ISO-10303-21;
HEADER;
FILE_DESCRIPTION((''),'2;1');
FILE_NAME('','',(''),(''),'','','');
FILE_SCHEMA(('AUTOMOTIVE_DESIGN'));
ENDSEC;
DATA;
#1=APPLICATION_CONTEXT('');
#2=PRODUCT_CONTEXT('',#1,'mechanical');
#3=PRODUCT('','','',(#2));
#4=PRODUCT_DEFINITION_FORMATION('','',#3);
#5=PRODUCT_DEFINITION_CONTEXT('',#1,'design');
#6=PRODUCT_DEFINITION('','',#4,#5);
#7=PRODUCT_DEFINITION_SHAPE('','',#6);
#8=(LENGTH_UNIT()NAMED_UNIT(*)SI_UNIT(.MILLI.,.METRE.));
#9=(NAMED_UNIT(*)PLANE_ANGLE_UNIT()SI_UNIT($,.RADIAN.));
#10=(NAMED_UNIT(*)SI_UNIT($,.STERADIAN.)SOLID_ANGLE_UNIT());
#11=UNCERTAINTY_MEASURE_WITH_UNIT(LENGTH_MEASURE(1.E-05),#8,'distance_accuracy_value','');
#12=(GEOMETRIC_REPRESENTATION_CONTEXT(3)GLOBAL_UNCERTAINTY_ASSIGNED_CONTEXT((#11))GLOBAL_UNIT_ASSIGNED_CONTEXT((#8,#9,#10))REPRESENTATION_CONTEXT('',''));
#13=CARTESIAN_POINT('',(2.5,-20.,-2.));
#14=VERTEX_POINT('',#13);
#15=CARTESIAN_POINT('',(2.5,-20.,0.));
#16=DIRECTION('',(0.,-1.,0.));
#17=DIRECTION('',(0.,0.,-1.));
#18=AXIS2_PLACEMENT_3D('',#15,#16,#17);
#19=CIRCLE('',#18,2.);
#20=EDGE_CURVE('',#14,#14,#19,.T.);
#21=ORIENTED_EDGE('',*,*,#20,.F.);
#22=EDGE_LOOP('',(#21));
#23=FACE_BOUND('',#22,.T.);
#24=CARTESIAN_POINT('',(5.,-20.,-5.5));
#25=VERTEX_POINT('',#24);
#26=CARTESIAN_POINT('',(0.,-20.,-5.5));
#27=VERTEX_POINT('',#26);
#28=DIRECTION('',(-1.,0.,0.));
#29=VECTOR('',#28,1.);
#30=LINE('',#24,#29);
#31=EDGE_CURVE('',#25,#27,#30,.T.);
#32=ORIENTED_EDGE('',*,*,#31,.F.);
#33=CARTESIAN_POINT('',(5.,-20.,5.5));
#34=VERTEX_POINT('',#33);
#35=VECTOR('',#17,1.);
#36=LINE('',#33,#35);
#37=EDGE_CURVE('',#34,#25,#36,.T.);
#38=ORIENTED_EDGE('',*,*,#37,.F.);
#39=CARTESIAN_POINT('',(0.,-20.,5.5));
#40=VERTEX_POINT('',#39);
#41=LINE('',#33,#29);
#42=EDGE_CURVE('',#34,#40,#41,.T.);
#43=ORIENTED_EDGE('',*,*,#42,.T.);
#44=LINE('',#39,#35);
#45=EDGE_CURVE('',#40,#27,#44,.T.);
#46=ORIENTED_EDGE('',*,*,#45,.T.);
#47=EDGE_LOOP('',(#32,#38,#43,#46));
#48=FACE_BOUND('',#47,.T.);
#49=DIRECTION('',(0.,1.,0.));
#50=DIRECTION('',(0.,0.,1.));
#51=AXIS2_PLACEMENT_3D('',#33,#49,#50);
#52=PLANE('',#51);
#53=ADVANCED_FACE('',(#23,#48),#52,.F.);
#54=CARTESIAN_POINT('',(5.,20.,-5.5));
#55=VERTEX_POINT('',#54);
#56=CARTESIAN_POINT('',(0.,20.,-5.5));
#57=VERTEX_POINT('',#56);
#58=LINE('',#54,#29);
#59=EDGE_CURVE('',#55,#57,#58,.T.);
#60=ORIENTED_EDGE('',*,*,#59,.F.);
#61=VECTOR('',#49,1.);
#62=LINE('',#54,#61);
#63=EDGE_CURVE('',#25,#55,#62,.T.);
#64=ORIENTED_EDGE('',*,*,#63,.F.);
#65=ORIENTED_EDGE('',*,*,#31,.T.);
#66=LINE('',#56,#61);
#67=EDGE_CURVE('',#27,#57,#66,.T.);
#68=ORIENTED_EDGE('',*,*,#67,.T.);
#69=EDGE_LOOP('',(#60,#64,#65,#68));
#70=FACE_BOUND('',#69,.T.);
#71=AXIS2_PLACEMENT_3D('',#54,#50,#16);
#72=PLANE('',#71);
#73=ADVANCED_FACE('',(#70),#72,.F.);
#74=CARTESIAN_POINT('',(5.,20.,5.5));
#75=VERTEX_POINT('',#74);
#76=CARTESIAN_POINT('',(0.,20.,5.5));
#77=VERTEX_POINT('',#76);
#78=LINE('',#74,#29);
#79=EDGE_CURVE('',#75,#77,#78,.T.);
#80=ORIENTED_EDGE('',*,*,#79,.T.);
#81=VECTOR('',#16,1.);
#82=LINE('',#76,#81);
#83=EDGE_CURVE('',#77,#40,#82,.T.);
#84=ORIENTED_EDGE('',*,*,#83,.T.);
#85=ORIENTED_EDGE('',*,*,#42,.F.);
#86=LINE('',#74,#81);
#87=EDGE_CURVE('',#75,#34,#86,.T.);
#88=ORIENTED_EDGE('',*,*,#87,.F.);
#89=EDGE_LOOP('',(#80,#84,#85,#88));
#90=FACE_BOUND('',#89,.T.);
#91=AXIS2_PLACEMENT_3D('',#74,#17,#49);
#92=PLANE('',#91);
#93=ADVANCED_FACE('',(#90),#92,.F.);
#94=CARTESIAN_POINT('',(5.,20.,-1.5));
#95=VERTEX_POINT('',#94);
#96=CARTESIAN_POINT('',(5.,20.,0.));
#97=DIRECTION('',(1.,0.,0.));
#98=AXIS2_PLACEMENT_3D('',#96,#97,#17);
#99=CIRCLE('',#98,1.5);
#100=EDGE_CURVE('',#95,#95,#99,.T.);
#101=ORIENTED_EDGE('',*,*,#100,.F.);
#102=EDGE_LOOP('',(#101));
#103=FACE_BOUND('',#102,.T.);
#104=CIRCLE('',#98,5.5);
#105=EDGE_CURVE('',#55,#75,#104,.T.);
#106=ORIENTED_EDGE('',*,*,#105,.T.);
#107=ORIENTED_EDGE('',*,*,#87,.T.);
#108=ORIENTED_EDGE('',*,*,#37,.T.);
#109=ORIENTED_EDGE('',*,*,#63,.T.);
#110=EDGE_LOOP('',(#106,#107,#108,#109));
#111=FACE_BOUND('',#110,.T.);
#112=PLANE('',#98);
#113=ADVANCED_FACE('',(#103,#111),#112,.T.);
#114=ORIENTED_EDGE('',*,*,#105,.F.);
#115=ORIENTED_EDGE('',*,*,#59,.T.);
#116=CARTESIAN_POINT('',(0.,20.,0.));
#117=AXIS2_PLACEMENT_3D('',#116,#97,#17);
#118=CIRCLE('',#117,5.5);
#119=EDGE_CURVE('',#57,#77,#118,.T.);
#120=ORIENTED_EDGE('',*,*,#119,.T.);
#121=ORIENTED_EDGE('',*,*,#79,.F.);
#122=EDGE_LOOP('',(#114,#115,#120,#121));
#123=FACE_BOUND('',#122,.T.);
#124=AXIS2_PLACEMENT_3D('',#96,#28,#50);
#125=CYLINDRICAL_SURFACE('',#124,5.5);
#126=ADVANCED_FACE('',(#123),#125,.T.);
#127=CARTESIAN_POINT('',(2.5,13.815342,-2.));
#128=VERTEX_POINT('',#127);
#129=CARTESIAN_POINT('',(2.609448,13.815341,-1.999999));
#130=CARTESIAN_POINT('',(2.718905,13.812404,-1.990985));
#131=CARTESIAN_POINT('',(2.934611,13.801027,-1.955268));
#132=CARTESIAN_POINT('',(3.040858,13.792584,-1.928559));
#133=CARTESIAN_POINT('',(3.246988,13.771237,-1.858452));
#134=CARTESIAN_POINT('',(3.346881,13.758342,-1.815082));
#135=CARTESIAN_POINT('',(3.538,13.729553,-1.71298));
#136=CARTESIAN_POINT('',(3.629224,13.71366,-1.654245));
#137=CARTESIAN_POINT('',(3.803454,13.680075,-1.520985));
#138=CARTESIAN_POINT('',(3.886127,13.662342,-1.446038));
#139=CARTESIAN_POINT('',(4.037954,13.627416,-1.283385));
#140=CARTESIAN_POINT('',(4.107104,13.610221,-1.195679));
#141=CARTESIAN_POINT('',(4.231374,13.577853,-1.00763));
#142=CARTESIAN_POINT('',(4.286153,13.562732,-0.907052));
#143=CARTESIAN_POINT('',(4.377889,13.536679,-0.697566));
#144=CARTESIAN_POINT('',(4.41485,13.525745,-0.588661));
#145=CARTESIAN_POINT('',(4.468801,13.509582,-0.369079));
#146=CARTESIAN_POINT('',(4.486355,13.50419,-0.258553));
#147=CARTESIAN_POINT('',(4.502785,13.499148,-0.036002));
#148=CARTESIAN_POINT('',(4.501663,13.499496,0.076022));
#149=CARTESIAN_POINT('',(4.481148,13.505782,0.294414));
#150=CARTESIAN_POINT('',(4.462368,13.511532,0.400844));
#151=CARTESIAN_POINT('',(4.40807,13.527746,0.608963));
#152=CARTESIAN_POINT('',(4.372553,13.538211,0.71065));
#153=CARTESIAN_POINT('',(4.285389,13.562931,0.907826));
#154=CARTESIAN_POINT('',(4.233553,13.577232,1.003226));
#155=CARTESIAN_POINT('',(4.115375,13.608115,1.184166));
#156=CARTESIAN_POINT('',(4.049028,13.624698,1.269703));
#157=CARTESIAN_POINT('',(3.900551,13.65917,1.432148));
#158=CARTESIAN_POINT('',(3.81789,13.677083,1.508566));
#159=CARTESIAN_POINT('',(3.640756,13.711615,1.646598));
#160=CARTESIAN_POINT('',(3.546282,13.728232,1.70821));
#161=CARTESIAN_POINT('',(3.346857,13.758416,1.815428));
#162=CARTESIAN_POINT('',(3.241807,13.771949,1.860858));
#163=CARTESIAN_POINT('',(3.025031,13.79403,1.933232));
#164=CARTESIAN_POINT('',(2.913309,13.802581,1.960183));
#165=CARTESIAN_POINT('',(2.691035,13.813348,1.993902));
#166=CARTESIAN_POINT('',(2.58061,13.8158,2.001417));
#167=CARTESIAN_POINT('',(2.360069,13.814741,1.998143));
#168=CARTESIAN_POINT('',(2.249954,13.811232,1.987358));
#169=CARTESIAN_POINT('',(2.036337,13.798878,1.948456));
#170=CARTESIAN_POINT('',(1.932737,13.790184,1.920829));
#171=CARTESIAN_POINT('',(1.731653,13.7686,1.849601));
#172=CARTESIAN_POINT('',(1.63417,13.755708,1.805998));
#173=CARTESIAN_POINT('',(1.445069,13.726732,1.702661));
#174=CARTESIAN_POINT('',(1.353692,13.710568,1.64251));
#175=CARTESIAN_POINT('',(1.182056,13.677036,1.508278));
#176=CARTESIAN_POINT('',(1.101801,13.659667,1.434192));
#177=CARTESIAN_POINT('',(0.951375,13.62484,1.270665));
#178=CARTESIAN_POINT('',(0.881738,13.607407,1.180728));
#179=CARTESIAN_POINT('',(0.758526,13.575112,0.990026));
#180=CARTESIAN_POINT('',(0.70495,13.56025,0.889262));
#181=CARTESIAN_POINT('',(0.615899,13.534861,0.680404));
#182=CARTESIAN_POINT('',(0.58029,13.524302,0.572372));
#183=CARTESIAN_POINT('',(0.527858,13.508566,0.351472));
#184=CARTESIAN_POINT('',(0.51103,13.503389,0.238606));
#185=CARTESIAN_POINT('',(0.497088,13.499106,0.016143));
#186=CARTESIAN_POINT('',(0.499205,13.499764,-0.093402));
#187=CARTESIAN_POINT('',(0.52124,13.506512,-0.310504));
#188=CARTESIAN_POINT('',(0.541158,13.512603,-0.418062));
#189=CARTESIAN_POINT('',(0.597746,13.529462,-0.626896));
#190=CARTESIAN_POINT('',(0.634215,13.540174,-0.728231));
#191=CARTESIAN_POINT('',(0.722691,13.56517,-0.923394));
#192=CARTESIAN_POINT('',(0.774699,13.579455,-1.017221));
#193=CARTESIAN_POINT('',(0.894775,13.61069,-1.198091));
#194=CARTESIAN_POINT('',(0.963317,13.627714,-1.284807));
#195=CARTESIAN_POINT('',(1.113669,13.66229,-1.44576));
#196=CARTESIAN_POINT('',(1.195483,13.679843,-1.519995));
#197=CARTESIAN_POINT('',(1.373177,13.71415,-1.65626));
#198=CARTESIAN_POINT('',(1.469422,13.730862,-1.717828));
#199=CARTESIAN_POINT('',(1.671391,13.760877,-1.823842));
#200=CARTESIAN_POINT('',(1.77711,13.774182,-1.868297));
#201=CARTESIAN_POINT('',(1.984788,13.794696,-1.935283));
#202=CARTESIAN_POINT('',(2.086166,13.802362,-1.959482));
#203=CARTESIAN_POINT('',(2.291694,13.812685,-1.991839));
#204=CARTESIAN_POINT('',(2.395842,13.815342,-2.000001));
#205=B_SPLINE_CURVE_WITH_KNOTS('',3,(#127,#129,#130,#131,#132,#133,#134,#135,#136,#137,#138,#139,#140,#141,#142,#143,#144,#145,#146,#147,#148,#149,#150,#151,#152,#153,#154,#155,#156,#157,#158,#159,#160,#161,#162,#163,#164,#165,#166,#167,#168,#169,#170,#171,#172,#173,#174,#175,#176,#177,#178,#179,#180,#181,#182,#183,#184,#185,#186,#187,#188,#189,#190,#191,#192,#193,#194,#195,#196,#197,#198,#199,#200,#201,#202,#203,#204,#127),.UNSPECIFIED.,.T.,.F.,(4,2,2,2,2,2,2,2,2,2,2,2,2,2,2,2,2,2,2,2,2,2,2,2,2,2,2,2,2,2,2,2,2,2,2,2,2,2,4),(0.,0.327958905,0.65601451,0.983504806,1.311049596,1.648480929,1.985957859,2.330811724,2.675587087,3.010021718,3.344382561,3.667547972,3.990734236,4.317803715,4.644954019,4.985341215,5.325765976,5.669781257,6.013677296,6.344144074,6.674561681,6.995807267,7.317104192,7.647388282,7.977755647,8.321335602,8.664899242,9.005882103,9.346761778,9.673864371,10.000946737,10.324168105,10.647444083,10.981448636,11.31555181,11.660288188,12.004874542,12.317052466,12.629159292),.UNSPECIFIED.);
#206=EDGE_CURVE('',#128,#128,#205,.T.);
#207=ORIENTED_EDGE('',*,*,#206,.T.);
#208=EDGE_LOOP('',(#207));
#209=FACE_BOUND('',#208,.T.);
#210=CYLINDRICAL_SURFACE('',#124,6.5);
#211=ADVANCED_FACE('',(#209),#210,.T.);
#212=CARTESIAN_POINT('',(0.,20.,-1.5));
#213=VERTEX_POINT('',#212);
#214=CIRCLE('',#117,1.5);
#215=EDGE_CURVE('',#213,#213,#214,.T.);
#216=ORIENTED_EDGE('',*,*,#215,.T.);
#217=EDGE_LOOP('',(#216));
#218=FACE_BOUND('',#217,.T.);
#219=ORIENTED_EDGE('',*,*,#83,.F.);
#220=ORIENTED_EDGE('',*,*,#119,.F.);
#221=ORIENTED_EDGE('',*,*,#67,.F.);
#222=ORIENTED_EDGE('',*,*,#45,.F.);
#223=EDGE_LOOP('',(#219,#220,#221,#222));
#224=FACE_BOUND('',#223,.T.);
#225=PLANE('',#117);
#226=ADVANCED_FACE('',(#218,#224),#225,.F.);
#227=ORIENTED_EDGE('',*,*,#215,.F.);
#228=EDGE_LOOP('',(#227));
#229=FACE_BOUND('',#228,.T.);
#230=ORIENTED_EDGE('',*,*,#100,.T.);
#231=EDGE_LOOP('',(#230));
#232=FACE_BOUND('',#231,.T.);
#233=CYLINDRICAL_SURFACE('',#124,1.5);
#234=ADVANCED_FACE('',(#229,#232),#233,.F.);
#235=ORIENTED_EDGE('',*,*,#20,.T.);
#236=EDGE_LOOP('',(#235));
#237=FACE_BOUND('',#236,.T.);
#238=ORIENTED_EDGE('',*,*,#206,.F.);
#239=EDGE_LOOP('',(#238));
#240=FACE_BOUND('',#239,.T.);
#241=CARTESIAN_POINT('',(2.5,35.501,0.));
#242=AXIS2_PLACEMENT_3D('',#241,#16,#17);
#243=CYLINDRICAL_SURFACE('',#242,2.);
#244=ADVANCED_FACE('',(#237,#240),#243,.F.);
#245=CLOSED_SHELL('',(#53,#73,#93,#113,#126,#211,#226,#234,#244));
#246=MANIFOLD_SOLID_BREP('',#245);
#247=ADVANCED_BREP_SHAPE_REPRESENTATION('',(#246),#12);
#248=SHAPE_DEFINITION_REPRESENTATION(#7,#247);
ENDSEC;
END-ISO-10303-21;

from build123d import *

# Parameters (mm, degrees)
SKETCH1_R               = 1.5
BOSS_EXTRUDE1_DEPTH     = 5
CUT_EXTRUDE1_REACH      = 48.103
CUT_EXTRUDE1_END_RADIUS = 6.5
SKETCH2_R               = 2


with BuildPart() as part:
    # Sketch1 → Boss-Extrude1 (new body)
    with BuildSketch(Plane(origin=(0, 0, 0), x_dir=(0, 0, -1), z_dir=(1, 0, 0))):
        with BuildLine():
            Line((-5.5, 20), (-5.5, -20))
            Line((-5.5, -20), (5.5, -20))
            Line((5.5, -20), (5.5, 20))
            ThreePointArc((5.5, 20), (0, 25.5), (-5.5, 20))
        make_face()
        with Locations((0, 20)):
            Circle(SKETCH1_R, mode=Mode.SUBTRACT)
    extrude(amount=BOSS_EXTRUDE1_DEPTH)

    # Cut-Extrude1: up to this cylinder (the profile starts outside it)
    cut_extrude1_end = Plane(origin=(2.5, 20, 0), z_dir=(-1, 0, 0)) * Cylinder(CUT_EXTRUDE1_END_RADIUS, 110.206, mode=Mode.PRIVATE)
    # Sketch2 → Cut-Extrude1 (cut, up to the surface)
    with BuildSketch(Plane.XZ.offset(20), mode=Mode.PRIVATE) as cut_extrude1_sk1:
        with Locations(Location((2.5, 0, 0), (0, 0, 270))):
            Circle(SKETCH2_R)
    cut_extrude1_tool1 = extrude(cut_extrude1_sk1.sketch, amount=-CUT_EXTRUDE1_REACH, mode=Mode.PRIVATE) - cut_extrude1_end
    add(cut_extrude1_tool1.solids().sort_by_distance((2.5, -20, 0))[0], mode=Mode.SUBTRACT)


solid = part.part
